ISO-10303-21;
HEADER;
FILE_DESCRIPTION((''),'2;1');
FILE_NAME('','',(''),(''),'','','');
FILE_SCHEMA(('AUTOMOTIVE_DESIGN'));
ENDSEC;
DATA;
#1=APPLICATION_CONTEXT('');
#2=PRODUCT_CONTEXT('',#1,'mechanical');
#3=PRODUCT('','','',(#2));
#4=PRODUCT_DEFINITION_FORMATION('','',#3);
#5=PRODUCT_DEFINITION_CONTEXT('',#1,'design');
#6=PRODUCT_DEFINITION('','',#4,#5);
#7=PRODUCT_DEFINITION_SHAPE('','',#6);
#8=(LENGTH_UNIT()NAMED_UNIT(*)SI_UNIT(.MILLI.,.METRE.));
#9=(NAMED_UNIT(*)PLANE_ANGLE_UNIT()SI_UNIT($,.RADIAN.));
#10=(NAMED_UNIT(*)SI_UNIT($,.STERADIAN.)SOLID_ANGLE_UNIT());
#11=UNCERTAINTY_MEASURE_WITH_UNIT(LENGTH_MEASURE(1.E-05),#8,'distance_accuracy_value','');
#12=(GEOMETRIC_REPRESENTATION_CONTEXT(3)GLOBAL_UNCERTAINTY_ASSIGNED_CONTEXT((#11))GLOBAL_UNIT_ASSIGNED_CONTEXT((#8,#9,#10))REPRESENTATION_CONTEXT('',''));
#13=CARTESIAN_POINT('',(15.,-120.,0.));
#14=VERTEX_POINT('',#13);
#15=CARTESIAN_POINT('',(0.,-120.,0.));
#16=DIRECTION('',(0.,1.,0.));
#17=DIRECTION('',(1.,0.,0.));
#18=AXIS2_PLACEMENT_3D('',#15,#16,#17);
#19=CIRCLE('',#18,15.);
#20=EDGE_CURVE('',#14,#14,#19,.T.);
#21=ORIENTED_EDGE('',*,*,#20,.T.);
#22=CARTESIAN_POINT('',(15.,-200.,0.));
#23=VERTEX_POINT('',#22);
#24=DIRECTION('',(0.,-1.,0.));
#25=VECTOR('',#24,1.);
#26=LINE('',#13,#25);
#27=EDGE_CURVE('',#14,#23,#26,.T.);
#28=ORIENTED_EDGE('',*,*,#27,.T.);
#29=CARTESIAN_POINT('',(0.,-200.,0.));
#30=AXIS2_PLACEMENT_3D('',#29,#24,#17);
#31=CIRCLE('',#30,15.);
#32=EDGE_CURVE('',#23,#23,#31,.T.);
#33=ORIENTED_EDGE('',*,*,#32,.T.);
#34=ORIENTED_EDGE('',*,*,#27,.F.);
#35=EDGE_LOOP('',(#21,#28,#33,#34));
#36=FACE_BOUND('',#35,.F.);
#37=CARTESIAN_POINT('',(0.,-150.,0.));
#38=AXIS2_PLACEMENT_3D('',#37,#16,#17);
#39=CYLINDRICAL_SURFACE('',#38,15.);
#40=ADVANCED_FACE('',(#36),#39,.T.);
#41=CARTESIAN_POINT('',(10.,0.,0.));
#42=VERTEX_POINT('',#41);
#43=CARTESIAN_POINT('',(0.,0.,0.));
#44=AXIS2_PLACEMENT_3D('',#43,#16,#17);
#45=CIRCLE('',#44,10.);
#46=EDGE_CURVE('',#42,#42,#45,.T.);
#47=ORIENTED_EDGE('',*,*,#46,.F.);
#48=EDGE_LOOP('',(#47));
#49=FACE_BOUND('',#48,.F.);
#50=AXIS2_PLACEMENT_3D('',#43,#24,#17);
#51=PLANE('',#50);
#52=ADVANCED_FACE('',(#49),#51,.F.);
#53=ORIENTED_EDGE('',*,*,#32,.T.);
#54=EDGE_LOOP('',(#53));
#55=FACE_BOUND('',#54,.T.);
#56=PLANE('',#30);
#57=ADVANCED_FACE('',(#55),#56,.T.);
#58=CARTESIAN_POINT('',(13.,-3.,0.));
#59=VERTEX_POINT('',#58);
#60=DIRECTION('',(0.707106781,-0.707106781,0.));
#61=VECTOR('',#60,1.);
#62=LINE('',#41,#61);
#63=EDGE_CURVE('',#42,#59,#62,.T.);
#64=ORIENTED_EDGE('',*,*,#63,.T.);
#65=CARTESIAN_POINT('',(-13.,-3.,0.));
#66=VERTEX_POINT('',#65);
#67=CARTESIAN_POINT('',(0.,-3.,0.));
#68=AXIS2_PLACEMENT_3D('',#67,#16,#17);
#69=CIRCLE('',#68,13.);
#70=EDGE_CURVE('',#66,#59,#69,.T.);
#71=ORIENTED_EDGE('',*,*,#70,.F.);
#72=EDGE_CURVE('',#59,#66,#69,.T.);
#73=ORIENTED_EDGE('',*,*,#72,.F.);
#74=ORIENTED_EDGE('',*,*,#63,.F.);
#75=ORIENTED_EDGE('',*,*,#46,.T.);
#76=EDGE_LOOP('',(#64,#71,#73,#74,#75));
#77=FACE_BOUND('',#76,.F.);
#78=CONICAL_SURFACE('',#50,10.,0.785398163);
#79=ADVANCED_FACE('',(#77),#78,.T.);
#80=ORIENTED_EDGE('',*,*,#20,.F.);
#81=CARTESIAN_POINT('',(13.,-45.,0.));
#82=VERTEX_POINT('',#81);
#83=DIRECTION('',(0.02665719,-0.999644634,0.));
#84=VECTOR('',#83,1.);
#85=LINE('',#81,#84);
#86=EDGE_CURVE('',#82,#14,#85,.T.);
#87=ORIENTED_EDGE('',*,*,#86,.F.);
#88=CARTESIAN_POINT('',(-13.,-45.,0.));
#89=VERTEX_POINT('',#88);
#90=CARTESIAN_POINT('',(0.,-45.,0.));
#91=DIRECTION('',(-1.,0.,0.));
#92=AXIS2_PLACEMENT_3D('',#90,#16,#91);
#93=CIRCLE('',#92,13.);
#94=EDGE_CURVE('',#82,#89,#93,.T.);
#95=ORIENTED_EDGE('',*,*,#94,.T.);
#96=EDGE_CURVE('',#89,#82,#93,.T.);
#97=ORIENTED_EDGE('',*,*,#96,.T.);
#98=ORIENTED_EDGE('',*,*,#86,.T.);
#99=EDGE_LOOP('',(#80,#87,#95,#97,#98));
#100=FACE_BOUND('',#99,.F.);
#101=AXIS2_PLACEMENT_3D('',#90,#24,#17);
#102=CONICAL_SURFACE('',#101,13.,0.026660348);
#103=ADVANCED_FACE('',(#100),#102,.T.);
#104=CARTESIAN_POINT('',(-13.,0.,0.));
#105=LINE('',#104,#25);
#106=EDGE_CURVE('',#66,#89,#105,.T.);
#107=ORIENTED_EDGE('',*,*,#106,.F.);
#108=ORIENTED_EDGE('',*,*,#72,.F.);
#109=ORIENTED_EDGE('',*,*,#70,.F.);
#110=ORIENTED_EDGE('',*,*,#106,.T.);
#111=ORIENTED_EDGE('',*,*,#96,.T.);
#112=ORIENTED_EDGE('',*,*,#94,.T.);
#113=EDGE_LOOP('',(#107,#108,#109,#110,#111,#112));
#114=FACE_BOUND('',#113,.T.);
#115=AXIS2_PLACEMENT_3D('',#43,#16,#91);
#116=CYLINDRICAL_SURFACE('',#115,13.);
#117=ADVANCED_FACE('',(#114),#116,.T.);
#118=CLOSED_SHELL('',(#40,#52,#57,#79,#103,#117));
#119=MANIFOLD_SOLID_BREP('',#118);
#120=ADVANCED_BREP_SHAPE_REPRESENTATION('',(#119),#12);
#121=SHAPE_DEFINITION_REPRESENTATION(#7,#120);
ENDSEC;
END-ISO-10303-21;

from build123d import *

# Parameters (mm, degrees)
F0_R     = 15
F1_DEPTH = 150
F2_R     = 15
F2_R_2   = 13
F3_DEPTH = 45
F6_R     = 15
F7_DEPTH = 50


with BuildPart() as f1:
    # F0 (on Front) → F1 (new body)
    with BuildSketch(Plane.XZ):
        Circle(F0_R)
    extrude(amount=F1_DEPTH)

    # F2 (on face) → F3 (cut)
    with BuildSketch(Plane(origin=(0, 0, 0), x_dir=(-1, 0, 0), z_dir=(0, 1, 0))):
        Circle(F2_R)
        Circle(F2_R_2, mode=Mode.SUBTRACT)
    extrude(amount=-F3_DEPTH, mode=Mode.SUBTRACT)

    # F4 (on Top) → F5 (revolve, cut)
    with BuildSketch(Plane.XY):
        Polygon((15, -45), (13, -45), (15, -120), align=None)
        Polygon((13, 0), (10, 0), (13, -3), align=None)
    revolve(axis=Axis((0, 0, 0), (0, 1, 0)), mode=Mode.SUBTRACT)

    # F6 (on face) → F7 (join)
    with BuildSketch(Plane.XZ.offset(150)):
        Circle(F6_R)
    extrude(amount=F7_DEPTH)


solid = f1.part
